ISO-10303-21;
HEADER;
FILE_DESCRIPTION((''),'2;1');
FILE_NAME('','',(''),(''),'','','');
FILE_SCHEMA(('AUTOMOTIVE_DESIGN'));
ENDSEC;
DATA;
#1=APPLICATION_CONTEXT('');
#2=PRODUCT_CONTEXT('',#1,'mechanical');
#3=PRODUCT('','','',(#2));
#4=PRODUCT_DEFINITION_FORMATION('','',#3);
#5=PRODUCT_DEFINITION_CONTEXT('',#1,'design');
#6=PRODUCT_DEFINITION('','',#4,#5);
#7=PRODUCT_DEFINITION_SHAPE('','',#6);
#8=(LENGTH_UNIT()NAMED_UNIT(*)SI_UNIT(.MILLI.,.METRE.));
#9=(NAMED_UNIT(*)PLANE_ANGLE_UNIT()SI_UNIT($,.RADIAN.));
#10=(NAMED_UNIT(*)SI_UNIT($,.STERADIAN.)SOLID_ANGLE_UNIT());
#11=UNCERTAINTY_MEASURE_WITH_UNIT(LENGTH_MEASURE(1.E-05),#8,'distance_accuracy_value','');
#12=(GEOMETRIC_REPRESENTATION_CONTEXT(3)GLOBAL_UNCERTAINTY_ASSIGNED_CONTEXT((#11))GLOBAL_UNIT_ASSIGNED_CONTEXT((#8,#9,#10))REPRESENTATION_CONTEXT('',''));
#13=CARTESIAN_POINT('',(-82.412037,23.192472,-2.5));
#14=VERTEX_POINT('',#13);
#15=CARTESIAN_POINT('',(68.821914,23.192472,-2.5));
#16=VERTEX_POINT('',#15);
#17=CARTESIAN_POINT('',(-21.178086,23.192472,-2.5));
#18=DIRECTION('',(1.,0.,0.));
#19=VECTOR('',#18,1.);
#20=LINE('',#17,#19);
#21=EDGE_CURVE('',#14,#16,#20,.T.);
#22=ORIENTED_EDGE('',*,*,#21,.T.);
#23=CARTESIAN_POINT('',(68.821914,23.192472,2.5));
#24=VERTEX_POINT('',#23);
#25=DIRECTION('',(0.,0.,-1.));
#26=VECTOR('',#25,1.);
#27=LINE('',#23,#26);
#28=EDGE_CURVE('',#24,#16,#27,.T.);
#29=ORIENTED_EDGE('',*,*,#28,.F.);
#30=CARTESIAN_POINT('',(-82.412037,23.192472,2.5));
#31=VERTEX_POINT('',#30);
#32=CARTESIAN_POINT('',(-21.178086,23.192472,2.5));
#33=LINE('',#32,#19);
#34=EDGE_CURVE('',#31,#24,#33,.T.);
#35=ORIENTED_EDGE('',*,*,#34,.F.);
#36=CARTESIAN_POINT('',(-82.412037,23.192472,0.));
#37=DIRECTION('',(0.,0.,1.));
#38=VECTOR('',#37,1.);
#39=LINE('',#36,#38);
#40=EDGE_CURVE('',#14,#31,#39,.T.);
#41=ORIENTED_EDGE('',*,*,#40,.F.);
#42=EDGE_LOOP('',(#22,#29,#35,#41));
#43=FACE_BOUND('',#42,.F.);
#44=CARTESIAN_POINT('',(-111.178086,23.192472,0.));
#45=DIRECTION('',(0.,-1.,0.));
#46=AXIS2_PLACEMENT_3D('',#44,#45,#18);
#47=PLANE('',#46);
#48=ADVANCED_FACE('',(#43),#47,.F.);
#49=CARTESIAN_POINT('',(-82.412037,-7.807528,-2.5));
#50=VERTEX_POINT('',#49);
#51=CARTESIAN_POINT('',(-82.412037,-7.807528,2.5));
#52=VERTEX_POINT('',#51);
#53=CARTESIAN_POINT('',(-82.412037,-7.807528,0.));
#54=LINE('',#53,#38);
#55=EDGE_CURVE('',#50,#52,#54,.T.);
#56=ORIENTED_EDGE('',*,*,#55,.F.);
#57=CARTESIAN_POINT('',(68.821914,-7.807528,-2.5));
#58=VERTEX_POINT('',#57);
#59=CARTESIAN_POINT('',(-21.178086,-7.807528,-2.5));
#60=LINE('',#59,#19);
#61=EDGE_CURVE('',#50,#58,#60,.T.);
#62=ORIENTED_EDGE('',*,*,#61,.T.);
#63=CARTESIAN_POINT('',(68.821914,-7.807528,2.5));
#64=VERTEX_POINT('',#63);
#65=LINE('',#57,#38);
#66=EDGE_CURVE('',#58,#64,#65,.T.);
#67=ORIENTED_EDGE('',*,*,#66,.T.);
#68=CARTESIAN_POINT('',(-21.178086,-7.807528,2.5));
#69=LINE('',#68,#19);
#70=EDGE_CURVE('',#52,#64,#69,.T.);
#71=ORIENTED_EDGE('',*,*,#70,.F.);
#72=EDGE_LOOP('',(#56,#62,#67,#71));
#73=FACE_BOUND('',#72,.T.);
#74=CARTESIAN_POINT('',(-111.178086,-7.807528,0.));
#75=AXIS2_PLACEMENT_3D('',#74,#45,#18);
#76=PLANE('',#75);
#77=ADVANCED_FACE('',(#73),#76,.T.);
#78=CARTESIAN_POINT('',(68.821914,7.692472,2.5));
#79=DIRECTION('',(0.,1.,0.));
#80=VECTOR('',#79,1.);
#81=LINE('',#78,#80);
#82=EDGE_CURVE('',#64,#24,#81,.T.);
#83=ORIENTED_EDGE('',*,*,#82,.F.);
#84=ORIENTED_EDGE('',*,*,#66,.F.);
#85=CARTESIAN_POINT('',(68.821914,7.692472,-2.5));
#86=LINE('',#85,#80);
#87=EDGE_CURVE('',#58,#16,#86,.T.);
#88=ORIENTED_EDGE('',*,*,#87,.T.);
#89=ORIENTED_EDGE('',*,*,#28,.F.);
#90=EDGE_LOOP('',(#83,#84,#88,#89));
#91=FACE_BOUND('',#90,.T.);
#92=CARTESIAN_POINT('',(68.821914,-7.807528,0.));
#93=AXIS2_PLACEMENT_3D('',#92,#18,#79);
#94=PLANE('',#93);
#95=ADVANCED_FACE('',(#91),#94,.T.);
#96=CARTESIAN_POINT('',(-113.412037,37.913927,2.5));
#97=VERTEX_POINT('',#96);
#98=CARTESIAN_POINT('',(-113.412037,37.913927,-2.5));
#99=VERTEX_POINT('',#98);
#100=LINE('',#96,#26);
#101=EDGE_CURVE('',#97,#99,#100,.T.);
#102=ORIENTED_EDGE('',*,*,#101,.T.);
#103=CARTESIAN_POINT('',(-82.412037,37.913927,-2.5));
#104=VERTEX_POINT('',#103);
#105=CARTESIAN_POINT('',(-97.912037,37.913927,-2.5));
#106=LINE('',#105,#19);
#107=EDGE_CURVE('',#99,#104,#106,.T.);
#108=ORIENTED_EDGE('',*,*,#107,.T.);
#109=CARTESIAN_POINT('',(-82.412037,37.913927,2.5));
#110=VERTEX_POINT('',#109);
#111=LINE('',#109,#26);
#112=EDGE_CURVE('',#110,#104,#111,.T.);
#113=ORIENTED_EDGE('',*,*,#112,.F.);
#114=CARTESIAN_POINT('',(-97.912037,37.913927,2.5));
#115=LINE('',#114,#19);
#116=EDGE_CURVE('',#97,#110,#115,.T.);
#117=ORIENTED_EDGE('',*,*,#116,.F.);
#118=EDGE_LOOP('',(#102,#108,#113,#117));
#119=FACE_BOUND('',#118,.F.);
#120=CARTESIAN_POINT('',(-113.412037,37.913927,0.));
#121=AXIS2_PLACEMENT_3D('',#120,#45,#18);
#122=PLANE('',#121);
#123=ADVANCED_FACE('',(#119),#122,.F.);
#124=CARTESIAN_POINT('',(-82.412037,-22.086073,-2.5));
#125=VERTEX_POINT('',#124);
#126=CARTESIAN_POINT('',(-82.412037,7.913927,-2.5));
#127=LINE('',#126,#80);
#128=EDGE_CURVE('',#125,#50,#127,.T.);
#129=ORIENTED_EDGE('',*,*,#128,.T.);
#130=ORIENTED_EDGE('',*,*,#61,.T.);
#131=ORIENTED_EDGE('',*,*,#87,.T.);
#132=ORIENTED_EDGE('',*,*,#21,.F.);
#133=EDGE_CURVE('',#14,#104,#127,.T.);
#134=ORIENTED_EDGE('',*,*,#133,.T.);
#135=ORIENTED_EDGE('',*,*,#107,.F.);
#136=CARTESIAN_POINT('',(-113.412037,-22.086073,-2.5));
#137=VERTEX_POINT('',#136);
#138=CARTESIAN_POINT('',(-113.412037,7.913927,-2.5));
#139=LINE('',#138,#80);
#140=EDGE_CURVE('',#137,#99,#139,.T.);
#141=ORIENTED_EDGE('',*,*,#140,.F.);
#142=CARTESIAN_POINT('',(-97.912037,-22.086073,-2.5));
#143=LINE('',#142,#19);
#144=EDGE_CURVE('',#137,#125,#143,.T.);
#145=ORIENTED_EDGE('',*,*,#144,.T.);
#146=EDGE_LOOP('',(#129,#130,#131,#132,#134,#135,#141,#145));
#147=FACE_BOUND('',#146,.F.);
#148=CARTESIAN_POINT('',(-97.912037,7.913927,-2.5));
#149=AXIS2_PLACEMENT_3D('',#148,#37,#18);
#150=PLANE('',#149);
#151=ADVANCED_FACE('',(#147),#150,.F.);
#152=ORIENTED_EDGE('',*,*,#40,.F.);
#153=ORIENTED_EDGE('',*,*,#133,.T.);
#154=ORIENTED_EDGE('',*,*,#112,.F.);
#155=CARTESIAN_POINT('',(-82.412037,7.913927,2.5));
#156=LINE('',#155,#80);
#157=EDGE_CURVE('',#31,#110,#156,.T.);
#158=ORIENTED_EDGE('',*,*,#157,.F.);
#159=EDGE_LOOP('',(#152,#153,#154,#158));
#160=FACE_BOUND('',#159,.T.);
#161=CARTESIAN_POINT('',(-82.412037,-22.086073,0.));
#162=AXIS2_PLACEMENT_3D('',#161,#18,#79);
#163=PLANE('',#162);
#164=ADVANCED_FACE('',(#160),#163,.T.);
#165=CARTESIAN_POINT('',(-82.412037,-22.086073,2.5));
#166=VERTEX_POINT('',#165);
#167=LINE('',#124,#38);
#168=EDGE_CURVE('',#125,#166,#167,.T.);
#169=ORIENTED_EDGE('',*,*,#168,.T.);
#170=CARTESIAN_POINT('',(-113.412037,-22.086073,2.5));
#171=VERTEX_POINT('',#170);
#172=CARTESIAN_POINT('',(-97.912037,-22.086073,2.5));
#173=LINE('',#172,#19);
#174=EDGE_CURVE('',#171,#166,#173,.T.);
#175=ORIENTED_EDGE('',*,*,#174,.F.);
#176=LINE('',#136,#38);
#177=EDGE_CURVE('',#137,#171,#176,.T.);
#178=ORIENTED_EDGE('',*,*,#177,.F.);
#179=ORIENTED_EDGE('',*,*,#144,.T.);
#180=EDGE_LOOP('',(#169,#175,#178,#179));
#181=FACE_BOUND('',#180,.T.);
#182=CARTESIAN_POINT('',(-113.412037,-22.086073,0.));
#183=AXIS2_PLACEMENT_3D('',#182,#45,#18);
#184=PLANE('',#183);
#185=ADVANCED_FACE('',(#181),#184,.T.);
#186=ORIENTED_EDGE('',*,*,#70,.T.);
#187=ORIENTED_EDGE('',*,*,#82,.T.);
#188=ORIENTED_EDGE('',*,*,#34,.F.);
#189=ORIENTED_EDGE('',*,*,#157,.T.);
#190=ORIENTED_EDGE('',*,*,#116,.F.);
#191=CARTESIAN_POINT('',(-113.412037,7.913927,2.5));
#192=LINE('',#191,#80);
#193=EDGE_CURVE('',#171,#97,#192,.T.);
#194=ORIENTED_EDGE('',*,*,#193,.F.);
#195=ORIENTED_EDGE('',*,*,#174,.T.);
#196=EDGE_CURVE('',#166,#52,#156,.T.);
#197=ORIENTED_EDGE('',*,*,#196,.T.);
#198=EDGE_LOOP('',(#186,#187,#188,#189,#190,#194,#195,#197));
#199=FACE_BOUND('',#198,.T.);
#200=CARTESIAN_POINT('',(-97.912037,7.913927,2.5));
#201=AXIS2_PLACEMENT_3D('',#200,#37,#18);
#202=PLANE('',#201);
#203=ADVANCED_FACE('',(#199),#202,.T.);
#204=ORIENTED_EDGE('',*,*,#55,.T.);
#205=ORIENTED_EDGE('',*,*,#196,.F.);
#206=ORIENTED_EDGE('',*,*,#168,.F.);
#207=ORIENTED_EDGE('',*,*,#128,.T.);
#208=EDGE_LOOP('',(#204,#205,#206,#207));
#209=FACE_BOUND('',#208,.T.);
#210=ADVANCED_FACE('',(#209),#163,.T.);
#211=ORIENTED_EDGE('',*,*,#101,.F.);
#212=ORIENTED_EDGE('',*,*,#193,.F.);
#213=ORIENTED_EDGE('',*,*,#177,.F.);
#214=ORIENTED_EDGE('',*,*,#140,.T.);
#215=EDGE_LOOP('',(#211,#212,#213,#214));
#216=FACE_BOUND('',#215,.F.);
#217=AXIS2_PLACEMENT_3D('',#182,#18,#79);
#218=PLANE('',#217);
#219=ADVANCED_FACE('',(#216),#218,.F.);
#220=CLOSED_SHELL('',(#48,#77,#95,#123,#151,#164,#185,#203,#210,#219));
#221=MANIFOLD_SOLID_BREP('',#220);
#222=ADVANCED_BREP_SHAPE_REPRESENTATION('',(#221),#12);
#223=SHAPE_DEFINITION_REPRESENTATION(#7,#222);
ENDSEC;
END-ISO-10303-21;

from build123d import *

# Parameters (mm, degrees)
F0_W     = 180
F0_H     = 31
F1_DEPTH = 2.5
F2_W     = 31
F2_H     = 60
F3_DEPTH = 2.5


with BuildPart() as f1:
    # F0 (on Top) → F1 (new body, symmetric)
    with BuildSketch(Plane.XY):
        with Locations((-21.178086, 7.692472)):
            Rectangle(F0_W, F0_H)
    extrude(amount=F1_DEPTH, both=True)

    # F2 (on Top) → F3 (join, symmetric)
    with BuildSketch(Plane.XY):
        with Locations((-97.912037, 7.913927)):
            Rectangle(F2_W, F2_H)
    extrude(amount=F3_DEPTH, both=True)


solid = f1.part
